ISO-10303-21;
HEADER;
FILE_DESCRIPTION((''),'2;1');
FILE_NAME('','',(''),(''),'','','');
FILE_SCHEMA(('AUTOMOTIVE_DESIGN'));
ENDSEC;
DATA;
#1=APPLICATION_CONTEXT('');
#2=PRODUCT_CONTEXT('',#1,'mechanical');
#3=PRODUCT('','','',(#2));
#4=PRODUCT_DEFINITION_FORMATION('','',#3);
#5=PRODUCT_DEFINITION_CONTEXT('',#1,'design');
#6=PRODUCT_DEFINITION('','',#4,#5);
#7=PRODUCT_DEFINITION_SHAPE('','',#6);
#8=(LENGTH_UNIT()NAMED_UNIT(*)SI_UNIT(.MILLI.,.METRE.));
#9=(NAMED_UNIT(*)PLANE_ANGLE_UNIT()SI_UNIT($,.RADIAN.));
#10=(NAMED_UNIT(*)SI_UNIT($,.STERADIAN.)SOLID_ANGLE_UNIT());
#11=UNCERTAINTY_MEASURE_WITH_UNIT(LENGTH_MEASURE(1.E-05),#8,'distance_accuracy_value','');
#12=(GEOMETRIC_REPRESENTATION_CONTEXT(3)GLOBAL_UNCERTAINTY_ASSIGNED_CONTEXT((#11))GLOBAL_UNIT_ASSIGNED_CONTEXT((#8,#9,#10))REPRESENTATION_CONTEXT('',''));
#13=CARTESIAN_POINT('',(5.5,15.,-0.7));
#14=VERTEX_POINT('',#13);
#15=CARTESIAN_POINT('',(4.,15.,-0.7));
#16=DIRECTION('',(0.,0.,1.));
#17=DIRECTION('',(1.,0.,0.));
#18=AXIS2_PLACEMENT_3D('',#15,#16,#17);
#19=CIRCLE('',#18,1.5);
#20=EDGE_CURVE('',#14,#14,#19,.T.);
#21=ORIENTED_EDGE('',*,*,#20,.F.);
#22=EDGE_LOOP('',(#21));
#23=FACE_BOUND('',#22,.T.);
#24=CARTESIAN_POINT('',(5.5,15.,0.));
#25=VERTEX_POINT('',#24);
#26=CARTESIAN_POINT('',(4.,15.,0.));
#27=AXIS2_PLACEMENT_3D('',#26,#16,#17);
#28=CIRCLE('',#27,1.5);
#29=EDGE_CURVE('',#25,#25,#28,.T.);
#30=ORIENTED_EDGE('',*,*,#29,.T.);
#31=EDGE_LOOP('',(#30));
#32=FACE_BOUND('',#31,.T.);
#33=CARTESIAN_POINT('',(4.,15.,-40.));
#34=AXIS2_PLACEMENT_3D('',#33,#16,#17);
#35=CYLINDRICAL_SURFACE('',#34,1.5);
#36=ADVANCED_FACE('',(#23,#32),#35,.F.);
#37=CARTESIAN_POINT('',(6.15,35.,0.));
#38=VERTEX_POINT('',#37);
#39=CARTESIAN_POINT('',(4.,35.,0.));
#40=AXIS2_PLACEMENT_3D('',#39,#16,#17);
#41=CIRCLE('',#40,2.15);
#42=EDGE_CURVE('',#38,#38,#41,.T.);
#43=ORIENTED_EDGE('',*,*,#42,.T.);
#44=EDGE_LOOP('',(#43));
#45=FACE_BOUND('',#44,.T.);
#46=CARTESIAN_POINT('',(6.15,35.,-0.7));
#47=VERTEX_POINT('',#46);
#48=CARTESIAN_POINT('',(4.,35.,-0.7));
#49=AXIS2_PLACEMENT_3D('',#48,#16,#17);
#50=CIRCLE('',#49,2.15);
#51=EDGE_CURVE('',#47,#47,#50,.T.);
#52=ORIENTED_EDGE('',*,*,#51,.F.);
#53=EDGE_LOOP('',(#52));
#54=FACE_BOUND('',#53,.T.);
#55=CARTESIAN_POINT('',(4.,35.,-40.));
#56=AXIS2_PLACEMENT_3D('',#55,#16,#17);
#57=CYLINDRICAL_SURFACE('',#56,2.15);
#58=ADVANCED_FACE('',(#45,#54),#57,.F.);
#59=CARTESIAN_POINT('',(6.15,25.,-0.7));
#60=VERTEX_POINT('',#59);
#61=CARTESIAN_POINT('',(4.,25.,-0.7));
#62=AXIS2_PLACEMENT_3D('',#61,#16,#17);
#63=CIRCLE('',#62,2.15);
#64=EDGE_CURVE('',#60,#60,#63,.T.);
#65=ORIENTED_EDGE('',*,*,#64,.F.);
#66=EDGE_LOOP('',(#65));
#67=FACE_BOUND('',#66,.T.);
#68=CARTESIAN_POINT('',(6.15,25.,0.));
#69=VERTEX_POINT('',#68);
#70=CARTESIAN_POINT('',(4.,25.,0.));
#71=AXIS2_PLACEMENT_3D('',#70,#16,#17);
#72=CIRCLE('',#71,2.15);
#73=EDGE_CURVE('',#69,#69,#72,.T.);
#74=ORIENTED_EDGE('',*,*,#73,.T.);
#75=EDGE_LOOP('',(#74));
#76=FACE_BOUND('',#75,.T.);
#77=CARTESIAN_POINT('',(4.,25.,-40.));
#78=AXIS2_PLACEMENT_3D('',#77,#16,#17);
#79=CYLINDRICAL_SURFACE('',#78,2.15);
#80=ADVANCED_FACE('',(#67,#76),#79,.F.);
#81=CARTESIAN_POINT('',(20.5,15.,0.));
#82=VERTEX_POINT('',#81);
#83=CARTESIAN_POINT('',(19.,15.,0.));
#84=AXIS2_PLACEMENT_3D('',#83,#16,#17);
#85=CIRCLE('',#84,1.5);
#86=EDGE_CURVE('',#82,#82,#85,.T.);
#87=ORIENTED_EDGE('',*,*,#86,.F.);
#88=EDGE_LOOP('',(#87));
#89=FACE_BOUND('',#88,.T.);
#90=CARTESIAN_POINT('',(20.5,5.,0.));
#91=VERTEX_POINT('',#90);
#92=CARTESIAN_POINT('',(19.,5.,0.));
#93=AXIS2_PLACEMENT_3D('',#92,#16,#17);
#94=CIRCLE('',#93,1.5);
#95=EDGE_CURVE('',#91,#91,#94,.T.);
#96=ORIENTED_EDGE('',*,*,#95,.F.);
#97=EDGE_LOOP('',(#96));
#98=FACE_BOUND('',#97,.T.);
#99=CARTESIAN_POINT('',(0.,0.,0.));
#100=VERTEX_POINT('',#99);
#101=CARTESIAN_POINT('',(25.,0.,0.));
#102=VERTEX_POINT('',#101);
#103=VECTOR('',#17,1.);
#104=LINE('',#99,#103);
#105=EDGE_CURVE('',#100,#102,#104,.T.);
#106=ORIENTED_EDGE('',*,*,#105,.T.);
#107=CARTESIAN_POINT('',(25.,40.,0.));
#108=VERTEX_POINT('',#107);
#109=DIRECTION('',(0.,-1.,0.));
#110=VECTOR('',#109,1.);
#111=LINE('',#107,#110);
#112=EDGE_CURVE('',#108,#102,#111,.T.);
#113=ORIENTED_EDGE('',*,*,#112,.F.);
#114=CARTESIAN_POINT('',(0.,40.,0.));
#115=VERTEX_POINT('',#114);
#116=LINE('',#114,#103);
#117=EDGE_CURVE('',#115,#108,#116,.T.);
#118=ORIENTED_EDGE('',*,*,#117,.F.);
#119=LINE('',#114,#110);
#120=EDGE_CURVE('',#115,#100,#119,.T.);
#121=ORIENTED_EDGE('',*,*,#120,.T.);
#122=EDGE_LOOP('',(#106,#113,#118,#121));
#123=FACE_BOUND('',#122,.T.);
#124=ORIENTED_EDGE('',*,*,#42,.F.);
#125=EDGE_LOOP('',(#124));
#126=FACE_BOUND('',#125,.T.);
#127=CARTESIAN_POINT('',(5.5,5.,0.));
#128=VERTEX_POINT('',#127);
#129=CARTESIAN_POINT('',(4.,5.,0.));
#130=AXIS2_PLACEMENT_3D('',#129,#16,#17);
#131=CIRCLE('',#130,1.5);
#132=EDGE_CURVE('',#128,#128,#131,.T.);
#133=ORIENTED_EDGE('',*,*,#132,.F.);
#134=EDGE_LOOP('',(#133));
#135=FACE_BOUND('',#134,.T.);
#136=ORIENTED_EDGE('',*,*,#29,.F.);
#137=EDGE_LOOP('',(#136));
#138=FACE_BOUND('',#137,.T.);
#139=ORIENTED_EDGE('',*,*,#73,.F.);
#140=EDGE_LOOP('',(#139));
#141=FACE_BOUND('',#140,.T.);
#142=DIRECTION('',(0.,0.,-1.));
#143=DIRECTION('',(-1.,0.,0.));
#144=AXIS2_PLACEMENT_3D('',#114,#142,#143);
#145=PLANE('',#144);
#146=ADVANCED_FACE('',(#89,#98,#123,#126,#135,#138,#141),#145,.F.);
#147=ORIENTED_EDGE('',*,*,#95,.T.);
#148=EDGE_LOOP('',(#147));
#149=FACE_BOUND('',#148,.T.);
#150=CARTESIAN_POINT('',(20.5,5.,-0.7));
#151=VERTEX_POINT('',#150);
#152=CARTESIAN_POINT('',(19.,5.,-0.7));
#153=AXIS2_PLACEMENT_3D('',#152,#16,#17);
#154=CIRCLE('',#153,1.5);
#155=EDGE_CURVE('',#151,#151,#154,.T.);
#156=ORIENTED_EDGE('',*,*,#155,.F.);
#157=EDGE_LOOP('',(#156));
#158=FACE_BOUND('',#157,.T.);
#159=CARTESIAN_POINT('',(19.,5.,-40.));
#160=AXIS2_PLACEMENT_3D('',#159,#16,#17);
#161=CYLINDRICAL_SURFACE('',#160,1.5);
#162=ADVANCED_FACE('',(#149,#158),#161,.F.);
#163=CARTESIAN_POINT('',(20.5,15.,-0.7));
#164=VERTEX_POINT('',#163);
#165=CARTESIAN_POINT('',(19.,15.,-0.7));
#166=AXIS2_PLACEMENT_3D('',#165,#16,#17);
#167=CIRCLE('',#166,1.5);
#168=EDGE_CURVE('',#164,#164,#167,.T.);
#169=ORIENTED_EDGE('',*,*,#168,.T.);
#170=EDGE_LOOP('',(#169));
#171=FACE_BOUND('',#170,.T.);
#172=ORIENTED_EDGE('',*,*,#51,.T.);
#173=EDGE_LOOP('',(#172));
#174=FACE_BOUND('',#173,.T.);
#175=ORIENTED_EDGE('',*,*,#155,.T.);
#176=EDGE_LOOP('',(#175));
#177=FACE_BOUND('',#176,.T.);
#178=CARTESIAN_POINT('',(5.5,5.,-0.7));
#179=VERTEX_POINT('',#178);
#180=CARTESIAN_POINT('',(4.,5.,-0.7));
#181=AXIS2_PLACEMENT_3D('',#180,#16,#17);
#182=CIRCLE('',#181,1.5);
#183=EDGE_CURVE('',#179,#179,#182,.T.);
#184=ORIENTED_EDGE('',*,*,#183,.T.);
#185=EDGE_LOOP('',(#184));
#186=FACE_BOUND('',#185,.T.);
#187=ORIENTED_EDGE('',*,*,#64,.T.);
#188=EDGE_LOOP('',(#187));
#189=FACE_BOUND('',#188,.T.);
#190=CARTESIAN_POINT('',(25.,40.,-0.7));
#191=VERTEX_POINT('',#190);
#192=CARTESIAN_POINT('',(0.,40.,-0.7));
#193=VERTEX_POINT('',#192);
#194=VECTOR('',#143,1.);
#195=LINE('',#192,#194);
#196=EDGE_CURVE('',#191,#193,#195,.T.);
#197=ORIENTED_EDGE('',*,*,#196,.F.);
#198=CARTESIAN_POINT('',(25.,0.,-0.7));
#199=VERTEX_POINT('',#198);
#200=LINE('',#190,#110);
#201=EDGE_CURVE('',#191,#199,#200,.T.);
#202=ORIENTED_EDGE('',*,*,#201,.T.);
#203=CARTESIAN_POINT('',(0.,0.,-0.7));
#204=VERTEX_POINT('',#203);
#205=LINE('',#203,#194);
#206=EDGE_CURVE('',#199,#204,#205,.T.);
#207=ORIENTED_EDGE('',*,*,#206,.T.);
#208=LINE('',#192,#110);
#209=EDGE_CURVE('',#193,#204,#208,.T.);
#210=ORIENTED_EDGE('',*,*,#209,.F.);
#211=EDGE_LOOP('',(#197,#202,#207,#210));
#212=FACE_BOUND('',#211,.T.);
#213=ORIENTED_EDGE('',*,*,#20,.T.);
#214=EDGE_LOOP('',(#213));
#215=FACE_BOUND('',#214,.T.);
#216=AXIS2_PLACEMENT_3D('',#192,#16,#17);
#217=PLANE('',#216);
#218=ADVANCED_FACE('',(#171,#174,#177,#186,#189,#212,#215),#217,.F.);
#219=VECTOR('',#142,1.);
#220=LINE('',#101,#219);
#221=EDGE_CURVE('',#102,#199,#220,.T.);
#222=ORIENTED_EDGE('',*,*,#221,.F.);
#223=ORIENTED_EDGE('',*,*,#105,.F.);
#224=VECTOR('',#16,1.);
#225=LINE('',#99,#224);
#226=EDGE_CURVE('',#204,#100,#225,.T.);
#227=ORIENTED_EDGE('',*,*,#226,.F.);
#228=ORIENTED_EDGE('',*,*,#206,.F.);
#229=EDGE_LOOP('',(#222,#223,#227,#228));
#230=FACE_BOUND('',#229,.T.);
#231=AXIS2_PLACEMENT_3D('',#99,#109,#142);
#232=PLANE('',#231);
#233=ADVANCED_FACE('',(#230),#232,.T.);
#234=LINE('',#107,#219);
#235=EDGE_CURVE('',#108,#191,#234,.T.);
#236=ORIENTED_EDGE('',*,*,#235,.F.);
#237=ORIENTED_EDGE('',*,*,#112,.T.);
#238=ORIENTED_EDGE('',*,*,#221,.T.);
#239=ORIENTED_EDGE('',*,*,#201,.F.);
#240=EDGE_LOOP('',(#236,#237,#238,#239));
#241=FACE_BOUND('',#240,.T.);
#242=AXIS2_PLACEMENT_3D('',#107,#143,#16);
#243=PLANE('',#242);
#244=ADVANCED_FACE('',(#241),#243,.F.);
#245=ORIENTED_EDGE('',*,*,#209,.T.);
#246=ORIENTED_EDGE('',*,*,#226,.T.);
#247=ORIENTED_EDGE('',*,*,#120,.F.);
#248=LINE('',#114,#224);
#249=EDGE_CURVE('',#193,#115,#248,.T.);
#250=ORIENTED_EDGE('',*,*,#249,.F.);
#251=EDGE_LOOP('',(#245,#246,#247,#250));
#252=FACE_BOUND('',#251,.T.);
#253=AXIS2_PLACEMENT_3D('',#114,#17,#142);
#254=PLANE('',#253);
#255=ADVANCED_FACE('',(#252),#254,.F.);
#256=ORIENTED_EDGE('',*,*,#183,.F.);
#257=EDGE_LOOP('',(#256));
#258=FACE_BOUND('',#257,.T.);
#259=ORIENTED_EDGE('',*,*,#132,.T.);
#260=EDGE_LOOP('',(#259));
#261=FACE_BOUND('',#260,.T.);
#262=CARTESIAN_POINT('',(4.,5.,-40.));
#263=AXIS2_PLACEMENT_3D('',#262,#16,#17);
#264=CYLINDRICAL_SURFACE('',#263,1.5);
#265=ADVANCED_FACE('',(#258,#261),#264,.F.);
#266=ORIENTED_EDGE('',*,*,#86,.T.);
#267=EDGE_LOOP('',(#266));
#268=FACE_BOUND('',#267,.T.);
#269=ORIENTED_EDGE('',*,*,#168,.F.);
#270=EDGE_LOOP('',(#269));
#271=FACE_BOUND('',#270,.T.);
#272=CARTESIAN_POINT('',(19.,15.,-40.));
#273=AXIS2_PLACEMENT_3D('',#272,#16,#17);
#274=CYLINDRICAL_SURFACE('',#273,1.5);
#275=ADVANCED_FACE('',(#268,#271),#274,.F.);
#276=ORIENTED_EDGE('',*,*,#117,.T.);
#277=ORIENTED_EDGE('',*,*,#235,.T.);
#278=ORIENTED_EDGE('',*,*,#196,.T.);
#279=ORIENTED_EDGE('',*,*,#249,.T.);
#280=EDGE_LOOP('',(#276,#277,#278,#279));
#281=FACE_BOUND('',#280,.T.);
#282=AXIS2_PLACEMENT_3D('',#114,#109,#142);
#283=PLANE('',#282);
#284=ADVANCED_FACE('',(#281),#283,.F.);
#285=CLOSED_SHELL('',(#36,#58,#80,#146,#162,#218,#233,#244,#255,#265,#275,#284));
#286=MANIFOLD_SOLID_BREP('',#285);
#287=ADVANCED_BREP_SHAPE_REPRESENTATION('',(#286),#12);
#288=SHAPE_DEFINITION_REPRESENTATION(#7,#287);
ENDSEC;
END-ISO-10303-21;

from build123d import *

# Parameters (mm, degrees)
SKETCH1_W           = 25
SKETCH1_H           = 0.7
BOSS_EXTRUDE1_DEPTH = 40
SKETCH2_R           = 2.15
SKETCH2_R_2         = 1.5
CUT_EXTRUDE1_DEPTH  = 40


with BuildPart() as part:
    # Sketch1 → Boss-Extrude1 (new body)
    with BuildSketch(Plane(origin=(0, 0, 0), x_dir=(1, 0, 0), z_dir=(0, 1, 0))):
        with Locations((12.5, 0.35)):
            Rectangle(SKETCH1_W, SKETCH1_H)
    extrude(amount=BOSS_EXTRUDE1_DEPTH)

    # Sketch2 → Cut-Extrude1 (cut)
    with BuildSketch(Plane.XY):
        with Locations((4, 35)):
            Circle(SKETCH2_R)
        with Locations((4, 25)):
            Circle(SKETCH2_R)
        with Locations((4, 15)):
            Circle(SKETCH2_R_2)
        with Locations((4, 5)):
            Circle(SKETCH2_R_2)
        with Locations((19, 15)):
            Circle(SKETCH2_R_2)
        with Locations((19, 5)):
            Circle(SKETCH2_R_2)
    extrude(amount=-CUT_EXTRUDE1_DEPTH, mode=Mode.SUBTRACT)


solid = part.part
